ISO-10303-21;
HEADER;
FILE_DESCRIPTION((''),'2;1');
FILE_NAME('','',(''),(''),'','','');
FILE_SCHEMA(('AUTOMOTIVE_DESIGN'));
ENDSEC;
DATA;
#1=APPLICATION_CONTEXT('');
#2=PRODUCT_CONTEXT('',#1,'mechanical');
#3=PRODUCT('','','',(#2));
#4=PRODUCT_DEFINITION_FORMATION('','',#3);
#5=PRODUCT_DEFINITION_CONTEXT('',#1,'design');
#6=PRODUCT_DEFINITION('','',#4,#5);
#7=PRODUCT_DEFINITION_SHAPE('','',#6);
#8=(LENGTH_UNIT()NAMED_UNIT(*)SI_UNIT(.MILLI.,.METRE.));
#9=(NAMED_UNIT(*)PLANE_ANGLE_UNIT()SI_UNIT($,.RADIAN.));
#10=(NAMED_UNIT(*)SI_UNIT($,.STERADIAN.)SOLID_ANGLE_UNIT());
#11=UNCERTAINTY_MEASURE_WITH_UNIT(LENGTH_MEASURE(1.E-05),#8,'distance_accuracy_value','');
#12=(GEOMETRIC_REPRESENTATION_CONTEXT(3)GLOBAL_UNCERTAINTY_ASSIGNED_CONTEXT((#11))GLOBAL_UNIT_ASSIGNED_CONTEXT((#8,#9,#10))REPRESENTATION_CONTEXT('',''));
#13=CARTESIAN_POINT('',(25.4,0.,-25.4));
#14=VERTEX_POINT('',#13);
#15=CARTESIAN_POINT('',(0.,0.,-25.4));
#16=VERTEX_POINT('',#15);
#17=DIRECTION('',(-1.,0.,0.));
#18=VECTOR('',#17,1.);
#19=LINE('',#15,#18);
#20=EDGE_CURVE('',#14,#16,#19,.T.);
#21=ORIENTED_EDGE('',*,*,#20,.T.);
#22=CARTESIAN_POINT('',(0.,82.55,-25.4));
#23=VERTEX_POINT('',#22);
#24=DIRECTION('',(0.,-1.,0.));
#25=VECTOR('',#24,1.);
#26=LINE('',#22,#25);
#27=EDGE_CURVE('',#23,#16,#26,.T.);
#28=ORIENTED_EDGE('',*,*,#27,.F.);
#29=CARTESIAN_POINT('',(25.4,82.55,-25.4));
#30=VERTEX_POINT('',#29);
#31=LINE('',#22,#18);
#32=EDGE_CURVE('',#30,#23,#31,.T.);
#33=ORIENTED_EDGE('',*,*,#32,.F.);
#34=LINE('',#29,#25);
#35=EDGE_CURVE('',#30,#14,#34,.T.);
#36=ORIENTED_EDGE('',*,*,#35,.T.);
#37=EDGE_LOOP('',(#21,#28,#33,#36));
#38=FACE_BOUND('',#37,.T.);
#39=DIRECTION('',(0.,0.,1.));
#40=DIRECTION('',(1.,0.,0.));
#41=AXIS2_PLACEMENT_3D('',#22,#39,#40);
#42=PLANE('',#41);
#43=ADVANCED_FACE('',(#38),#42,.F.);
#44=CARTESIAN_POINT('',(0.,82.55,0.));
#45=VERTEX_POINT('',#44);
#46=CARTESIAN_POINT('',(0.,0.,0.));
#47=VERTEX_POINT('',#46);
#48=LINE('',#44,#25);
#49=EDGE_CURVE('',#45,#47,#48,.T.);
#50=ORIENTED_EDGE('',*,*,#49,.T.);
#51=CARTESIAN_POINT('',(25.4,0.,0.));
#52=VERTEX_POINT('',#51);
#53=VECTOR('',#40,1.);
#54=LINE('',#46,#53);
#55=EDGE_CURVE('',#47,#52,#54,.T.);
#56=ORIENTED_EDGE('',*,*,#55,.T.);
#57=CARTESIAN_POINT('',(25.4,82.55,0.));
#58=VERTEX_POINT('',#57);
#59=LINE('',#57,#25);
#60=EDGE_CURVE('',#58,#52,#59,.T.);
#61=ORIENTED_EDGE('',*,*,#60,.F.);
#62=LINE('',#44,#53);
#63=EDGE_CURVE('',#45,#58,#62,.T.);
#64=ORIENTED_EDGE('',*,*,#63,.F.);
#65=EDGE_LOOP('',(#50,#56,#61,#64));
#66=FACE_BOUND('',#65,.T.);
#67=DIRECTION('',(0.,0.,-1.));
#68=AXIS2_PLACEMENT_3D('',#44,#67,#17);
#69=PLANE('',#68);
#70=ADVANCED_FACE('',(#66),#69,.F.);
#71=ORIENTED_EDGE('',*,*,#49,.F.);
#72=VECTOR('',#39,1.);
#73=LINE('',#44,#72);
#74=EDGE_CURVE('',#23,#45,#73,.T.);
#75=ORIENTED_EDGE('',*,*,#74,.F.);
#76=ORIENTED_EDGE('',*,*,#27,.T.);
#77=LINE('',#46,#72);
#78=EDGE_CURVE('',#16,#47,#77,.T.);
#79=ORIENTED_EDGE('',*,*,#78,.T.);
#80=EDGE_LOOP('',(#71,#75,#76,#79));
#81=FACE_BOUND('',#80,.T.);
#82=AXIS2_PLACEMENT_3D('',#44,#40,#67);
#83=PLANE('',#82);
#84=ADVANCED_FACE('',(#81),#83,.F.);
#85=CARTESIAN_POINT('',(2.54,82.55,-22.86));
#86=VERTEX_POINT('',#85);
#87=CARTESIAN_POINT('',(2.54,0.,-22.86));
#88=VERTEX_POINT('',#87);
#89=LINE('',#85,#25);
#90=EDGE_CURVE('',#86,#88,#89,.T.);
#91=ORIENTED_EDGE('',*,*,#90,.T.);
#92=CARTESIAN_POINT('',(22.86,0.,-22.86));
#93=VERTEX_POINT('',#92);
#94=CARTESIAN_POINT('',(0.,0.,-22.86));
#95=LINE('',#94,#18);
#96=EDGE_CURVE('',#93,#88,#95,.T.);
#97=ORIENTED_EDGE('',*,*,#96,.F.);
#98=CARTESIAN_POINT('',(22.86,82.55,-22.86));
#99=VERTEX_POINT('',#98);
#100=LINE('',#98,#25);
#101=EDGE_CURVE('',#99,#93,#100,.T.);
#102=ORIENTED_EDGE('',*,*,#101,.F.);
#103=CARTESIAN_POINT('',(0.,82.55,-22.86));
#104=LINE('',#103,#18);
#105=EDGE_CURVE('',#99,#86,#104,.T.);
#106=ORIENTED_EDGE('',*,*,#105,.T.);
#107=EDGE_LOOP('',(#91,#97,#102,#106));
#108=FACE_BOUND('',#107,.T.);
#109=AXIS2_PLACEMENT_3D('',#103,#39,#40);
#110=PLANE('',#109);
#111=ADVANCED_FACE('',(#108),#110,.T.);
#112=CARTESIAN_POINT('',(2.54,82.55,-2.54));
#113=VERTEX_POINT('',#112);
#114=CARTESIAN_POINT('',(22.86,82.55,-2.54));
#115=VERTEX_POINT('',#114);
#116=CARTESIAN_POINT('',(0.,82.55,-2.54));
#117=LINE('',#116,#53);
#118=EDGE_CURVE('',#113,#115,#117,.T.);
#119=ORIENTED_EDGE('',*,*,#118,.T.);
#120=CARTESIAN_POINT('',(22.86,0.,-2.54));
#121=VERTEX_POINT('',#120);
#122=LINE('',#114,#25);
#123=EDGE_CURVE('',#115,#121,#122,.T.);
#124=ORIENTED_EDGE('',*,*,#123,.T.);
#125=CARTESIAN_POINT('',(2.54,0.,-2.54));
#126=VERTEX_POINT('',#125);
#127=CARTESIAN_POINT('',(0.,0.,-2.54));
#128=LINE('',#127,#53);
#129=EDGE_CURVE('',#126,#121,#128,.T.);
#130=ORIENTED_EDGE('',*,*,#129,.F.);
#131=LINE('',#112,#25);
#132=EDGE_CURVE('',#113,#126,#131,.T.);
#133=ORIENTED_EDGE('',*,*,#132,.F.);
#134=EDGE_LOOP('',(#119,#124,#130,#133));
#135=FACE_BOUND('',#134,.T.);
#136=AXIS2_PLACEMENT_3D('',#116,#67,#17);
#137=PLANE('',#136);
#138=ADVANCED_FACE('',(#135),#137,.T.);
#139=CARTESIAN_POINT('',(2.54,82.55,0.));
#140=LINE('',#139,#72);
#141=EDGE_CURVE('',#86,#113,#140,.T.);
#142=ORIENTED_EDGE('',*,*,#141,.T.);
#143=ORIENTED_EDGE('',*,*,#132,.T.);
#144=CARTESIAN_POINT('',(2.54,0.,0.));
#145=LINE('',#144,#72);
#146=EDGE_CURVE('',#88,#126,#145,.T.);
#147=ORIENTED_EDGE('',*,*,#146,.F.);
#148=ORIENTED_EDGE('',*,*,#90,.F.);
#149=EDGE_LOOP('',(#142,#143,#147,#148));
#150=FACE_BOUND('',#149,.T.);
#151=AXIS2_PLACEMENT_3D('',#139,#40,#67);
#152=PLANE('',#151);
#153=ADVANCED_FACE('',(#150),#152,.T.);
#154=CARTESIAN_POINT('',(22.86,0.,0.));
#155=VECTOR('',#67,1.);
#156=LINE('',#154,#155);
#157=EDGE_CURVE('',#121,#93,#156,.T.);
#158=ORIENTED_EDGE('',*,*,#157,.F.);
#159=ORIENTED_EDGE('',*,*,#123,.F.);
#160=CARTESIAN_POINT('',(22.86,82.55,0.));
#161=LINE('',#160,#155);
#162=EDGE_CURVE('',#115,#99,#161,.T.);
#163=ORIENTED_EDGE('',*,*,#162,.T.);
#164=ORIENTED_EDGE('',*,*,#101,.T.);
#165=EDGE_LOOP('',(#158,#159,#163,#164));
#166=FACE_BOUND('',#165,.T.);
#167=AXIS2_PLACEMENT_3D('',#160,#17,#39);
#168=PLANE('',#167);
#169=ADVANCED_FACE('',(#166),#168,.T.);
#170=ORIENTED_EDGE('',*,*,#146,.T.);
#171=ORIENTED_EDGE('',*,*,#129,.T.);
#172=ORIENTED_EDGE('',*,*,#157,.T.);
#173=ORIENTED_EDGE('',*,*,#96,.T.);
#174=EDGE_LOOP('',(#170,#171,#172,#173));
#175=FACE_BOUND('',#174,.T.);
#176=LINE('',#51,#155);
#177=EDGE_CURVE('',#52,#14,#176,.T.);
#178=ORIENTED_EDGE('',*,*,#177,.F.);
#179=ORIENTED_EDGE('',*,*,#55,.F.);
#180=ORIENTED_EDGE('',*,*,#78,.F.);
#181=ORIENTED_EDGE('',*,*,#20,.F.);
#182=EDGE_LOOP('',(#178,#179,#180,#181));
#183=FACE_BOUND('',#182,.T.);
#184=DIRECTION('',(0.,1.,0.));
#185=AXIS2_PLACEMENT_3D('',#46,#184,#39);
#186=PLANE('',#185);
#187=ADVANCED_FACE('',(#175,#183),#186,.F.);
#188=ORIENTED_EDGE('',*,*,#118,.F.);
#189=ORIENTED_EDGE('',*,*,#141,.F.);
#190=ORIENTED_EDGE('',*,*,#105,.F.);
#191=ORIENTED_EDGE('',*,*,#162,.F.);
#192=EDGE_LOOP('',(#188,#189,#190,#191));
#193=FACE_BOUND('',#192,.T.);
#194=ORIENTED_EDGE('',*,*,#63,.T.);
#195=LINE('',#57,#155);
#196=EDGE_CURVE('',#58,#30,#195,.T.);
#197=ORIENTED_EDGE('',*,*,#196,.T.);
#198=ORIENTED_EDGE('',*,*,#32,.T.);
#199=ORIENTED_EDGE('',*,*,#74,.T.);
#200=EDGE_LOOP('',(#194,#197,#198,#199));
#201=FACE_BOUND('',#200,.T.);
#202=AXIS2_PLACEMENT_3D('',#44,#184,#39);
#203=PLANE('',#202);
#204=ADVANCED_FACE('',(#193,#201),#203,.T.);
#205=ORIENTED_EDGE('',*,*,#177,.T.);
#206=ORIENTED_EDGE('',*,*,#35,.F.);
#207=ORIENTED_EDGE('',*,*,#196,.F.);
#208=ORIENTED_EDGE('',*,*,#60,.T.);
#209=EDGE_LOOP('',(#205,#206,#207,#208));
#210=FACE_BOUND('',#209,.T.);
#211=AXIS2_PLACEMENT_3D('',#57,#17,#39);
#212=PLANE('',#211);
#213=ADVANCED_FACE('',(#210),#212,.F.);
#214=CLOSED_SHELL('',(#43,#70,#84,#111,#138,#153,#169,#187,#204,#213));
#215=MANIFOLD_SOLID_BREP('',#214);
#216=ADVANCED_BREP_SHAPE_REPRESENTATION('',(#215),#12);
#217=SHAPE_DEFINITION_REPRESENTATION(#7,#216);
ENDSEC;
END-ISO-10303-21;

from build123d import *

# Parameters (mm, degrees)
SKETCH1_W           = 25.4
SKETCH1_H           = 25.4
SKETCH1_W_2         = 20.32
SKETCH1_H_2         = 20.32
EXTRUDE_THIN1_DEPTH = 82.55


with BuildPart() as part:
    # Sketch1 → Extrude-Thin1 (new body)
    with BuildSketch(Plane(origin=(0, 0, 0), x_dir=(1, 0, 0), z_dir=(0, 1, 0))):
        with Locations((12.7, 12.7)):
            Rectangle(SKETCH1_W, SKETCH1_H)
        with Locations((12.7, 12.7)):
            Rectangle(SKETCH1_W_2, SKETCH1_H_2, mode=Mode.SUBTRACT)
    extrude(amount=EXTRUDE_THIN1_DEPTH)


solid = part.part
